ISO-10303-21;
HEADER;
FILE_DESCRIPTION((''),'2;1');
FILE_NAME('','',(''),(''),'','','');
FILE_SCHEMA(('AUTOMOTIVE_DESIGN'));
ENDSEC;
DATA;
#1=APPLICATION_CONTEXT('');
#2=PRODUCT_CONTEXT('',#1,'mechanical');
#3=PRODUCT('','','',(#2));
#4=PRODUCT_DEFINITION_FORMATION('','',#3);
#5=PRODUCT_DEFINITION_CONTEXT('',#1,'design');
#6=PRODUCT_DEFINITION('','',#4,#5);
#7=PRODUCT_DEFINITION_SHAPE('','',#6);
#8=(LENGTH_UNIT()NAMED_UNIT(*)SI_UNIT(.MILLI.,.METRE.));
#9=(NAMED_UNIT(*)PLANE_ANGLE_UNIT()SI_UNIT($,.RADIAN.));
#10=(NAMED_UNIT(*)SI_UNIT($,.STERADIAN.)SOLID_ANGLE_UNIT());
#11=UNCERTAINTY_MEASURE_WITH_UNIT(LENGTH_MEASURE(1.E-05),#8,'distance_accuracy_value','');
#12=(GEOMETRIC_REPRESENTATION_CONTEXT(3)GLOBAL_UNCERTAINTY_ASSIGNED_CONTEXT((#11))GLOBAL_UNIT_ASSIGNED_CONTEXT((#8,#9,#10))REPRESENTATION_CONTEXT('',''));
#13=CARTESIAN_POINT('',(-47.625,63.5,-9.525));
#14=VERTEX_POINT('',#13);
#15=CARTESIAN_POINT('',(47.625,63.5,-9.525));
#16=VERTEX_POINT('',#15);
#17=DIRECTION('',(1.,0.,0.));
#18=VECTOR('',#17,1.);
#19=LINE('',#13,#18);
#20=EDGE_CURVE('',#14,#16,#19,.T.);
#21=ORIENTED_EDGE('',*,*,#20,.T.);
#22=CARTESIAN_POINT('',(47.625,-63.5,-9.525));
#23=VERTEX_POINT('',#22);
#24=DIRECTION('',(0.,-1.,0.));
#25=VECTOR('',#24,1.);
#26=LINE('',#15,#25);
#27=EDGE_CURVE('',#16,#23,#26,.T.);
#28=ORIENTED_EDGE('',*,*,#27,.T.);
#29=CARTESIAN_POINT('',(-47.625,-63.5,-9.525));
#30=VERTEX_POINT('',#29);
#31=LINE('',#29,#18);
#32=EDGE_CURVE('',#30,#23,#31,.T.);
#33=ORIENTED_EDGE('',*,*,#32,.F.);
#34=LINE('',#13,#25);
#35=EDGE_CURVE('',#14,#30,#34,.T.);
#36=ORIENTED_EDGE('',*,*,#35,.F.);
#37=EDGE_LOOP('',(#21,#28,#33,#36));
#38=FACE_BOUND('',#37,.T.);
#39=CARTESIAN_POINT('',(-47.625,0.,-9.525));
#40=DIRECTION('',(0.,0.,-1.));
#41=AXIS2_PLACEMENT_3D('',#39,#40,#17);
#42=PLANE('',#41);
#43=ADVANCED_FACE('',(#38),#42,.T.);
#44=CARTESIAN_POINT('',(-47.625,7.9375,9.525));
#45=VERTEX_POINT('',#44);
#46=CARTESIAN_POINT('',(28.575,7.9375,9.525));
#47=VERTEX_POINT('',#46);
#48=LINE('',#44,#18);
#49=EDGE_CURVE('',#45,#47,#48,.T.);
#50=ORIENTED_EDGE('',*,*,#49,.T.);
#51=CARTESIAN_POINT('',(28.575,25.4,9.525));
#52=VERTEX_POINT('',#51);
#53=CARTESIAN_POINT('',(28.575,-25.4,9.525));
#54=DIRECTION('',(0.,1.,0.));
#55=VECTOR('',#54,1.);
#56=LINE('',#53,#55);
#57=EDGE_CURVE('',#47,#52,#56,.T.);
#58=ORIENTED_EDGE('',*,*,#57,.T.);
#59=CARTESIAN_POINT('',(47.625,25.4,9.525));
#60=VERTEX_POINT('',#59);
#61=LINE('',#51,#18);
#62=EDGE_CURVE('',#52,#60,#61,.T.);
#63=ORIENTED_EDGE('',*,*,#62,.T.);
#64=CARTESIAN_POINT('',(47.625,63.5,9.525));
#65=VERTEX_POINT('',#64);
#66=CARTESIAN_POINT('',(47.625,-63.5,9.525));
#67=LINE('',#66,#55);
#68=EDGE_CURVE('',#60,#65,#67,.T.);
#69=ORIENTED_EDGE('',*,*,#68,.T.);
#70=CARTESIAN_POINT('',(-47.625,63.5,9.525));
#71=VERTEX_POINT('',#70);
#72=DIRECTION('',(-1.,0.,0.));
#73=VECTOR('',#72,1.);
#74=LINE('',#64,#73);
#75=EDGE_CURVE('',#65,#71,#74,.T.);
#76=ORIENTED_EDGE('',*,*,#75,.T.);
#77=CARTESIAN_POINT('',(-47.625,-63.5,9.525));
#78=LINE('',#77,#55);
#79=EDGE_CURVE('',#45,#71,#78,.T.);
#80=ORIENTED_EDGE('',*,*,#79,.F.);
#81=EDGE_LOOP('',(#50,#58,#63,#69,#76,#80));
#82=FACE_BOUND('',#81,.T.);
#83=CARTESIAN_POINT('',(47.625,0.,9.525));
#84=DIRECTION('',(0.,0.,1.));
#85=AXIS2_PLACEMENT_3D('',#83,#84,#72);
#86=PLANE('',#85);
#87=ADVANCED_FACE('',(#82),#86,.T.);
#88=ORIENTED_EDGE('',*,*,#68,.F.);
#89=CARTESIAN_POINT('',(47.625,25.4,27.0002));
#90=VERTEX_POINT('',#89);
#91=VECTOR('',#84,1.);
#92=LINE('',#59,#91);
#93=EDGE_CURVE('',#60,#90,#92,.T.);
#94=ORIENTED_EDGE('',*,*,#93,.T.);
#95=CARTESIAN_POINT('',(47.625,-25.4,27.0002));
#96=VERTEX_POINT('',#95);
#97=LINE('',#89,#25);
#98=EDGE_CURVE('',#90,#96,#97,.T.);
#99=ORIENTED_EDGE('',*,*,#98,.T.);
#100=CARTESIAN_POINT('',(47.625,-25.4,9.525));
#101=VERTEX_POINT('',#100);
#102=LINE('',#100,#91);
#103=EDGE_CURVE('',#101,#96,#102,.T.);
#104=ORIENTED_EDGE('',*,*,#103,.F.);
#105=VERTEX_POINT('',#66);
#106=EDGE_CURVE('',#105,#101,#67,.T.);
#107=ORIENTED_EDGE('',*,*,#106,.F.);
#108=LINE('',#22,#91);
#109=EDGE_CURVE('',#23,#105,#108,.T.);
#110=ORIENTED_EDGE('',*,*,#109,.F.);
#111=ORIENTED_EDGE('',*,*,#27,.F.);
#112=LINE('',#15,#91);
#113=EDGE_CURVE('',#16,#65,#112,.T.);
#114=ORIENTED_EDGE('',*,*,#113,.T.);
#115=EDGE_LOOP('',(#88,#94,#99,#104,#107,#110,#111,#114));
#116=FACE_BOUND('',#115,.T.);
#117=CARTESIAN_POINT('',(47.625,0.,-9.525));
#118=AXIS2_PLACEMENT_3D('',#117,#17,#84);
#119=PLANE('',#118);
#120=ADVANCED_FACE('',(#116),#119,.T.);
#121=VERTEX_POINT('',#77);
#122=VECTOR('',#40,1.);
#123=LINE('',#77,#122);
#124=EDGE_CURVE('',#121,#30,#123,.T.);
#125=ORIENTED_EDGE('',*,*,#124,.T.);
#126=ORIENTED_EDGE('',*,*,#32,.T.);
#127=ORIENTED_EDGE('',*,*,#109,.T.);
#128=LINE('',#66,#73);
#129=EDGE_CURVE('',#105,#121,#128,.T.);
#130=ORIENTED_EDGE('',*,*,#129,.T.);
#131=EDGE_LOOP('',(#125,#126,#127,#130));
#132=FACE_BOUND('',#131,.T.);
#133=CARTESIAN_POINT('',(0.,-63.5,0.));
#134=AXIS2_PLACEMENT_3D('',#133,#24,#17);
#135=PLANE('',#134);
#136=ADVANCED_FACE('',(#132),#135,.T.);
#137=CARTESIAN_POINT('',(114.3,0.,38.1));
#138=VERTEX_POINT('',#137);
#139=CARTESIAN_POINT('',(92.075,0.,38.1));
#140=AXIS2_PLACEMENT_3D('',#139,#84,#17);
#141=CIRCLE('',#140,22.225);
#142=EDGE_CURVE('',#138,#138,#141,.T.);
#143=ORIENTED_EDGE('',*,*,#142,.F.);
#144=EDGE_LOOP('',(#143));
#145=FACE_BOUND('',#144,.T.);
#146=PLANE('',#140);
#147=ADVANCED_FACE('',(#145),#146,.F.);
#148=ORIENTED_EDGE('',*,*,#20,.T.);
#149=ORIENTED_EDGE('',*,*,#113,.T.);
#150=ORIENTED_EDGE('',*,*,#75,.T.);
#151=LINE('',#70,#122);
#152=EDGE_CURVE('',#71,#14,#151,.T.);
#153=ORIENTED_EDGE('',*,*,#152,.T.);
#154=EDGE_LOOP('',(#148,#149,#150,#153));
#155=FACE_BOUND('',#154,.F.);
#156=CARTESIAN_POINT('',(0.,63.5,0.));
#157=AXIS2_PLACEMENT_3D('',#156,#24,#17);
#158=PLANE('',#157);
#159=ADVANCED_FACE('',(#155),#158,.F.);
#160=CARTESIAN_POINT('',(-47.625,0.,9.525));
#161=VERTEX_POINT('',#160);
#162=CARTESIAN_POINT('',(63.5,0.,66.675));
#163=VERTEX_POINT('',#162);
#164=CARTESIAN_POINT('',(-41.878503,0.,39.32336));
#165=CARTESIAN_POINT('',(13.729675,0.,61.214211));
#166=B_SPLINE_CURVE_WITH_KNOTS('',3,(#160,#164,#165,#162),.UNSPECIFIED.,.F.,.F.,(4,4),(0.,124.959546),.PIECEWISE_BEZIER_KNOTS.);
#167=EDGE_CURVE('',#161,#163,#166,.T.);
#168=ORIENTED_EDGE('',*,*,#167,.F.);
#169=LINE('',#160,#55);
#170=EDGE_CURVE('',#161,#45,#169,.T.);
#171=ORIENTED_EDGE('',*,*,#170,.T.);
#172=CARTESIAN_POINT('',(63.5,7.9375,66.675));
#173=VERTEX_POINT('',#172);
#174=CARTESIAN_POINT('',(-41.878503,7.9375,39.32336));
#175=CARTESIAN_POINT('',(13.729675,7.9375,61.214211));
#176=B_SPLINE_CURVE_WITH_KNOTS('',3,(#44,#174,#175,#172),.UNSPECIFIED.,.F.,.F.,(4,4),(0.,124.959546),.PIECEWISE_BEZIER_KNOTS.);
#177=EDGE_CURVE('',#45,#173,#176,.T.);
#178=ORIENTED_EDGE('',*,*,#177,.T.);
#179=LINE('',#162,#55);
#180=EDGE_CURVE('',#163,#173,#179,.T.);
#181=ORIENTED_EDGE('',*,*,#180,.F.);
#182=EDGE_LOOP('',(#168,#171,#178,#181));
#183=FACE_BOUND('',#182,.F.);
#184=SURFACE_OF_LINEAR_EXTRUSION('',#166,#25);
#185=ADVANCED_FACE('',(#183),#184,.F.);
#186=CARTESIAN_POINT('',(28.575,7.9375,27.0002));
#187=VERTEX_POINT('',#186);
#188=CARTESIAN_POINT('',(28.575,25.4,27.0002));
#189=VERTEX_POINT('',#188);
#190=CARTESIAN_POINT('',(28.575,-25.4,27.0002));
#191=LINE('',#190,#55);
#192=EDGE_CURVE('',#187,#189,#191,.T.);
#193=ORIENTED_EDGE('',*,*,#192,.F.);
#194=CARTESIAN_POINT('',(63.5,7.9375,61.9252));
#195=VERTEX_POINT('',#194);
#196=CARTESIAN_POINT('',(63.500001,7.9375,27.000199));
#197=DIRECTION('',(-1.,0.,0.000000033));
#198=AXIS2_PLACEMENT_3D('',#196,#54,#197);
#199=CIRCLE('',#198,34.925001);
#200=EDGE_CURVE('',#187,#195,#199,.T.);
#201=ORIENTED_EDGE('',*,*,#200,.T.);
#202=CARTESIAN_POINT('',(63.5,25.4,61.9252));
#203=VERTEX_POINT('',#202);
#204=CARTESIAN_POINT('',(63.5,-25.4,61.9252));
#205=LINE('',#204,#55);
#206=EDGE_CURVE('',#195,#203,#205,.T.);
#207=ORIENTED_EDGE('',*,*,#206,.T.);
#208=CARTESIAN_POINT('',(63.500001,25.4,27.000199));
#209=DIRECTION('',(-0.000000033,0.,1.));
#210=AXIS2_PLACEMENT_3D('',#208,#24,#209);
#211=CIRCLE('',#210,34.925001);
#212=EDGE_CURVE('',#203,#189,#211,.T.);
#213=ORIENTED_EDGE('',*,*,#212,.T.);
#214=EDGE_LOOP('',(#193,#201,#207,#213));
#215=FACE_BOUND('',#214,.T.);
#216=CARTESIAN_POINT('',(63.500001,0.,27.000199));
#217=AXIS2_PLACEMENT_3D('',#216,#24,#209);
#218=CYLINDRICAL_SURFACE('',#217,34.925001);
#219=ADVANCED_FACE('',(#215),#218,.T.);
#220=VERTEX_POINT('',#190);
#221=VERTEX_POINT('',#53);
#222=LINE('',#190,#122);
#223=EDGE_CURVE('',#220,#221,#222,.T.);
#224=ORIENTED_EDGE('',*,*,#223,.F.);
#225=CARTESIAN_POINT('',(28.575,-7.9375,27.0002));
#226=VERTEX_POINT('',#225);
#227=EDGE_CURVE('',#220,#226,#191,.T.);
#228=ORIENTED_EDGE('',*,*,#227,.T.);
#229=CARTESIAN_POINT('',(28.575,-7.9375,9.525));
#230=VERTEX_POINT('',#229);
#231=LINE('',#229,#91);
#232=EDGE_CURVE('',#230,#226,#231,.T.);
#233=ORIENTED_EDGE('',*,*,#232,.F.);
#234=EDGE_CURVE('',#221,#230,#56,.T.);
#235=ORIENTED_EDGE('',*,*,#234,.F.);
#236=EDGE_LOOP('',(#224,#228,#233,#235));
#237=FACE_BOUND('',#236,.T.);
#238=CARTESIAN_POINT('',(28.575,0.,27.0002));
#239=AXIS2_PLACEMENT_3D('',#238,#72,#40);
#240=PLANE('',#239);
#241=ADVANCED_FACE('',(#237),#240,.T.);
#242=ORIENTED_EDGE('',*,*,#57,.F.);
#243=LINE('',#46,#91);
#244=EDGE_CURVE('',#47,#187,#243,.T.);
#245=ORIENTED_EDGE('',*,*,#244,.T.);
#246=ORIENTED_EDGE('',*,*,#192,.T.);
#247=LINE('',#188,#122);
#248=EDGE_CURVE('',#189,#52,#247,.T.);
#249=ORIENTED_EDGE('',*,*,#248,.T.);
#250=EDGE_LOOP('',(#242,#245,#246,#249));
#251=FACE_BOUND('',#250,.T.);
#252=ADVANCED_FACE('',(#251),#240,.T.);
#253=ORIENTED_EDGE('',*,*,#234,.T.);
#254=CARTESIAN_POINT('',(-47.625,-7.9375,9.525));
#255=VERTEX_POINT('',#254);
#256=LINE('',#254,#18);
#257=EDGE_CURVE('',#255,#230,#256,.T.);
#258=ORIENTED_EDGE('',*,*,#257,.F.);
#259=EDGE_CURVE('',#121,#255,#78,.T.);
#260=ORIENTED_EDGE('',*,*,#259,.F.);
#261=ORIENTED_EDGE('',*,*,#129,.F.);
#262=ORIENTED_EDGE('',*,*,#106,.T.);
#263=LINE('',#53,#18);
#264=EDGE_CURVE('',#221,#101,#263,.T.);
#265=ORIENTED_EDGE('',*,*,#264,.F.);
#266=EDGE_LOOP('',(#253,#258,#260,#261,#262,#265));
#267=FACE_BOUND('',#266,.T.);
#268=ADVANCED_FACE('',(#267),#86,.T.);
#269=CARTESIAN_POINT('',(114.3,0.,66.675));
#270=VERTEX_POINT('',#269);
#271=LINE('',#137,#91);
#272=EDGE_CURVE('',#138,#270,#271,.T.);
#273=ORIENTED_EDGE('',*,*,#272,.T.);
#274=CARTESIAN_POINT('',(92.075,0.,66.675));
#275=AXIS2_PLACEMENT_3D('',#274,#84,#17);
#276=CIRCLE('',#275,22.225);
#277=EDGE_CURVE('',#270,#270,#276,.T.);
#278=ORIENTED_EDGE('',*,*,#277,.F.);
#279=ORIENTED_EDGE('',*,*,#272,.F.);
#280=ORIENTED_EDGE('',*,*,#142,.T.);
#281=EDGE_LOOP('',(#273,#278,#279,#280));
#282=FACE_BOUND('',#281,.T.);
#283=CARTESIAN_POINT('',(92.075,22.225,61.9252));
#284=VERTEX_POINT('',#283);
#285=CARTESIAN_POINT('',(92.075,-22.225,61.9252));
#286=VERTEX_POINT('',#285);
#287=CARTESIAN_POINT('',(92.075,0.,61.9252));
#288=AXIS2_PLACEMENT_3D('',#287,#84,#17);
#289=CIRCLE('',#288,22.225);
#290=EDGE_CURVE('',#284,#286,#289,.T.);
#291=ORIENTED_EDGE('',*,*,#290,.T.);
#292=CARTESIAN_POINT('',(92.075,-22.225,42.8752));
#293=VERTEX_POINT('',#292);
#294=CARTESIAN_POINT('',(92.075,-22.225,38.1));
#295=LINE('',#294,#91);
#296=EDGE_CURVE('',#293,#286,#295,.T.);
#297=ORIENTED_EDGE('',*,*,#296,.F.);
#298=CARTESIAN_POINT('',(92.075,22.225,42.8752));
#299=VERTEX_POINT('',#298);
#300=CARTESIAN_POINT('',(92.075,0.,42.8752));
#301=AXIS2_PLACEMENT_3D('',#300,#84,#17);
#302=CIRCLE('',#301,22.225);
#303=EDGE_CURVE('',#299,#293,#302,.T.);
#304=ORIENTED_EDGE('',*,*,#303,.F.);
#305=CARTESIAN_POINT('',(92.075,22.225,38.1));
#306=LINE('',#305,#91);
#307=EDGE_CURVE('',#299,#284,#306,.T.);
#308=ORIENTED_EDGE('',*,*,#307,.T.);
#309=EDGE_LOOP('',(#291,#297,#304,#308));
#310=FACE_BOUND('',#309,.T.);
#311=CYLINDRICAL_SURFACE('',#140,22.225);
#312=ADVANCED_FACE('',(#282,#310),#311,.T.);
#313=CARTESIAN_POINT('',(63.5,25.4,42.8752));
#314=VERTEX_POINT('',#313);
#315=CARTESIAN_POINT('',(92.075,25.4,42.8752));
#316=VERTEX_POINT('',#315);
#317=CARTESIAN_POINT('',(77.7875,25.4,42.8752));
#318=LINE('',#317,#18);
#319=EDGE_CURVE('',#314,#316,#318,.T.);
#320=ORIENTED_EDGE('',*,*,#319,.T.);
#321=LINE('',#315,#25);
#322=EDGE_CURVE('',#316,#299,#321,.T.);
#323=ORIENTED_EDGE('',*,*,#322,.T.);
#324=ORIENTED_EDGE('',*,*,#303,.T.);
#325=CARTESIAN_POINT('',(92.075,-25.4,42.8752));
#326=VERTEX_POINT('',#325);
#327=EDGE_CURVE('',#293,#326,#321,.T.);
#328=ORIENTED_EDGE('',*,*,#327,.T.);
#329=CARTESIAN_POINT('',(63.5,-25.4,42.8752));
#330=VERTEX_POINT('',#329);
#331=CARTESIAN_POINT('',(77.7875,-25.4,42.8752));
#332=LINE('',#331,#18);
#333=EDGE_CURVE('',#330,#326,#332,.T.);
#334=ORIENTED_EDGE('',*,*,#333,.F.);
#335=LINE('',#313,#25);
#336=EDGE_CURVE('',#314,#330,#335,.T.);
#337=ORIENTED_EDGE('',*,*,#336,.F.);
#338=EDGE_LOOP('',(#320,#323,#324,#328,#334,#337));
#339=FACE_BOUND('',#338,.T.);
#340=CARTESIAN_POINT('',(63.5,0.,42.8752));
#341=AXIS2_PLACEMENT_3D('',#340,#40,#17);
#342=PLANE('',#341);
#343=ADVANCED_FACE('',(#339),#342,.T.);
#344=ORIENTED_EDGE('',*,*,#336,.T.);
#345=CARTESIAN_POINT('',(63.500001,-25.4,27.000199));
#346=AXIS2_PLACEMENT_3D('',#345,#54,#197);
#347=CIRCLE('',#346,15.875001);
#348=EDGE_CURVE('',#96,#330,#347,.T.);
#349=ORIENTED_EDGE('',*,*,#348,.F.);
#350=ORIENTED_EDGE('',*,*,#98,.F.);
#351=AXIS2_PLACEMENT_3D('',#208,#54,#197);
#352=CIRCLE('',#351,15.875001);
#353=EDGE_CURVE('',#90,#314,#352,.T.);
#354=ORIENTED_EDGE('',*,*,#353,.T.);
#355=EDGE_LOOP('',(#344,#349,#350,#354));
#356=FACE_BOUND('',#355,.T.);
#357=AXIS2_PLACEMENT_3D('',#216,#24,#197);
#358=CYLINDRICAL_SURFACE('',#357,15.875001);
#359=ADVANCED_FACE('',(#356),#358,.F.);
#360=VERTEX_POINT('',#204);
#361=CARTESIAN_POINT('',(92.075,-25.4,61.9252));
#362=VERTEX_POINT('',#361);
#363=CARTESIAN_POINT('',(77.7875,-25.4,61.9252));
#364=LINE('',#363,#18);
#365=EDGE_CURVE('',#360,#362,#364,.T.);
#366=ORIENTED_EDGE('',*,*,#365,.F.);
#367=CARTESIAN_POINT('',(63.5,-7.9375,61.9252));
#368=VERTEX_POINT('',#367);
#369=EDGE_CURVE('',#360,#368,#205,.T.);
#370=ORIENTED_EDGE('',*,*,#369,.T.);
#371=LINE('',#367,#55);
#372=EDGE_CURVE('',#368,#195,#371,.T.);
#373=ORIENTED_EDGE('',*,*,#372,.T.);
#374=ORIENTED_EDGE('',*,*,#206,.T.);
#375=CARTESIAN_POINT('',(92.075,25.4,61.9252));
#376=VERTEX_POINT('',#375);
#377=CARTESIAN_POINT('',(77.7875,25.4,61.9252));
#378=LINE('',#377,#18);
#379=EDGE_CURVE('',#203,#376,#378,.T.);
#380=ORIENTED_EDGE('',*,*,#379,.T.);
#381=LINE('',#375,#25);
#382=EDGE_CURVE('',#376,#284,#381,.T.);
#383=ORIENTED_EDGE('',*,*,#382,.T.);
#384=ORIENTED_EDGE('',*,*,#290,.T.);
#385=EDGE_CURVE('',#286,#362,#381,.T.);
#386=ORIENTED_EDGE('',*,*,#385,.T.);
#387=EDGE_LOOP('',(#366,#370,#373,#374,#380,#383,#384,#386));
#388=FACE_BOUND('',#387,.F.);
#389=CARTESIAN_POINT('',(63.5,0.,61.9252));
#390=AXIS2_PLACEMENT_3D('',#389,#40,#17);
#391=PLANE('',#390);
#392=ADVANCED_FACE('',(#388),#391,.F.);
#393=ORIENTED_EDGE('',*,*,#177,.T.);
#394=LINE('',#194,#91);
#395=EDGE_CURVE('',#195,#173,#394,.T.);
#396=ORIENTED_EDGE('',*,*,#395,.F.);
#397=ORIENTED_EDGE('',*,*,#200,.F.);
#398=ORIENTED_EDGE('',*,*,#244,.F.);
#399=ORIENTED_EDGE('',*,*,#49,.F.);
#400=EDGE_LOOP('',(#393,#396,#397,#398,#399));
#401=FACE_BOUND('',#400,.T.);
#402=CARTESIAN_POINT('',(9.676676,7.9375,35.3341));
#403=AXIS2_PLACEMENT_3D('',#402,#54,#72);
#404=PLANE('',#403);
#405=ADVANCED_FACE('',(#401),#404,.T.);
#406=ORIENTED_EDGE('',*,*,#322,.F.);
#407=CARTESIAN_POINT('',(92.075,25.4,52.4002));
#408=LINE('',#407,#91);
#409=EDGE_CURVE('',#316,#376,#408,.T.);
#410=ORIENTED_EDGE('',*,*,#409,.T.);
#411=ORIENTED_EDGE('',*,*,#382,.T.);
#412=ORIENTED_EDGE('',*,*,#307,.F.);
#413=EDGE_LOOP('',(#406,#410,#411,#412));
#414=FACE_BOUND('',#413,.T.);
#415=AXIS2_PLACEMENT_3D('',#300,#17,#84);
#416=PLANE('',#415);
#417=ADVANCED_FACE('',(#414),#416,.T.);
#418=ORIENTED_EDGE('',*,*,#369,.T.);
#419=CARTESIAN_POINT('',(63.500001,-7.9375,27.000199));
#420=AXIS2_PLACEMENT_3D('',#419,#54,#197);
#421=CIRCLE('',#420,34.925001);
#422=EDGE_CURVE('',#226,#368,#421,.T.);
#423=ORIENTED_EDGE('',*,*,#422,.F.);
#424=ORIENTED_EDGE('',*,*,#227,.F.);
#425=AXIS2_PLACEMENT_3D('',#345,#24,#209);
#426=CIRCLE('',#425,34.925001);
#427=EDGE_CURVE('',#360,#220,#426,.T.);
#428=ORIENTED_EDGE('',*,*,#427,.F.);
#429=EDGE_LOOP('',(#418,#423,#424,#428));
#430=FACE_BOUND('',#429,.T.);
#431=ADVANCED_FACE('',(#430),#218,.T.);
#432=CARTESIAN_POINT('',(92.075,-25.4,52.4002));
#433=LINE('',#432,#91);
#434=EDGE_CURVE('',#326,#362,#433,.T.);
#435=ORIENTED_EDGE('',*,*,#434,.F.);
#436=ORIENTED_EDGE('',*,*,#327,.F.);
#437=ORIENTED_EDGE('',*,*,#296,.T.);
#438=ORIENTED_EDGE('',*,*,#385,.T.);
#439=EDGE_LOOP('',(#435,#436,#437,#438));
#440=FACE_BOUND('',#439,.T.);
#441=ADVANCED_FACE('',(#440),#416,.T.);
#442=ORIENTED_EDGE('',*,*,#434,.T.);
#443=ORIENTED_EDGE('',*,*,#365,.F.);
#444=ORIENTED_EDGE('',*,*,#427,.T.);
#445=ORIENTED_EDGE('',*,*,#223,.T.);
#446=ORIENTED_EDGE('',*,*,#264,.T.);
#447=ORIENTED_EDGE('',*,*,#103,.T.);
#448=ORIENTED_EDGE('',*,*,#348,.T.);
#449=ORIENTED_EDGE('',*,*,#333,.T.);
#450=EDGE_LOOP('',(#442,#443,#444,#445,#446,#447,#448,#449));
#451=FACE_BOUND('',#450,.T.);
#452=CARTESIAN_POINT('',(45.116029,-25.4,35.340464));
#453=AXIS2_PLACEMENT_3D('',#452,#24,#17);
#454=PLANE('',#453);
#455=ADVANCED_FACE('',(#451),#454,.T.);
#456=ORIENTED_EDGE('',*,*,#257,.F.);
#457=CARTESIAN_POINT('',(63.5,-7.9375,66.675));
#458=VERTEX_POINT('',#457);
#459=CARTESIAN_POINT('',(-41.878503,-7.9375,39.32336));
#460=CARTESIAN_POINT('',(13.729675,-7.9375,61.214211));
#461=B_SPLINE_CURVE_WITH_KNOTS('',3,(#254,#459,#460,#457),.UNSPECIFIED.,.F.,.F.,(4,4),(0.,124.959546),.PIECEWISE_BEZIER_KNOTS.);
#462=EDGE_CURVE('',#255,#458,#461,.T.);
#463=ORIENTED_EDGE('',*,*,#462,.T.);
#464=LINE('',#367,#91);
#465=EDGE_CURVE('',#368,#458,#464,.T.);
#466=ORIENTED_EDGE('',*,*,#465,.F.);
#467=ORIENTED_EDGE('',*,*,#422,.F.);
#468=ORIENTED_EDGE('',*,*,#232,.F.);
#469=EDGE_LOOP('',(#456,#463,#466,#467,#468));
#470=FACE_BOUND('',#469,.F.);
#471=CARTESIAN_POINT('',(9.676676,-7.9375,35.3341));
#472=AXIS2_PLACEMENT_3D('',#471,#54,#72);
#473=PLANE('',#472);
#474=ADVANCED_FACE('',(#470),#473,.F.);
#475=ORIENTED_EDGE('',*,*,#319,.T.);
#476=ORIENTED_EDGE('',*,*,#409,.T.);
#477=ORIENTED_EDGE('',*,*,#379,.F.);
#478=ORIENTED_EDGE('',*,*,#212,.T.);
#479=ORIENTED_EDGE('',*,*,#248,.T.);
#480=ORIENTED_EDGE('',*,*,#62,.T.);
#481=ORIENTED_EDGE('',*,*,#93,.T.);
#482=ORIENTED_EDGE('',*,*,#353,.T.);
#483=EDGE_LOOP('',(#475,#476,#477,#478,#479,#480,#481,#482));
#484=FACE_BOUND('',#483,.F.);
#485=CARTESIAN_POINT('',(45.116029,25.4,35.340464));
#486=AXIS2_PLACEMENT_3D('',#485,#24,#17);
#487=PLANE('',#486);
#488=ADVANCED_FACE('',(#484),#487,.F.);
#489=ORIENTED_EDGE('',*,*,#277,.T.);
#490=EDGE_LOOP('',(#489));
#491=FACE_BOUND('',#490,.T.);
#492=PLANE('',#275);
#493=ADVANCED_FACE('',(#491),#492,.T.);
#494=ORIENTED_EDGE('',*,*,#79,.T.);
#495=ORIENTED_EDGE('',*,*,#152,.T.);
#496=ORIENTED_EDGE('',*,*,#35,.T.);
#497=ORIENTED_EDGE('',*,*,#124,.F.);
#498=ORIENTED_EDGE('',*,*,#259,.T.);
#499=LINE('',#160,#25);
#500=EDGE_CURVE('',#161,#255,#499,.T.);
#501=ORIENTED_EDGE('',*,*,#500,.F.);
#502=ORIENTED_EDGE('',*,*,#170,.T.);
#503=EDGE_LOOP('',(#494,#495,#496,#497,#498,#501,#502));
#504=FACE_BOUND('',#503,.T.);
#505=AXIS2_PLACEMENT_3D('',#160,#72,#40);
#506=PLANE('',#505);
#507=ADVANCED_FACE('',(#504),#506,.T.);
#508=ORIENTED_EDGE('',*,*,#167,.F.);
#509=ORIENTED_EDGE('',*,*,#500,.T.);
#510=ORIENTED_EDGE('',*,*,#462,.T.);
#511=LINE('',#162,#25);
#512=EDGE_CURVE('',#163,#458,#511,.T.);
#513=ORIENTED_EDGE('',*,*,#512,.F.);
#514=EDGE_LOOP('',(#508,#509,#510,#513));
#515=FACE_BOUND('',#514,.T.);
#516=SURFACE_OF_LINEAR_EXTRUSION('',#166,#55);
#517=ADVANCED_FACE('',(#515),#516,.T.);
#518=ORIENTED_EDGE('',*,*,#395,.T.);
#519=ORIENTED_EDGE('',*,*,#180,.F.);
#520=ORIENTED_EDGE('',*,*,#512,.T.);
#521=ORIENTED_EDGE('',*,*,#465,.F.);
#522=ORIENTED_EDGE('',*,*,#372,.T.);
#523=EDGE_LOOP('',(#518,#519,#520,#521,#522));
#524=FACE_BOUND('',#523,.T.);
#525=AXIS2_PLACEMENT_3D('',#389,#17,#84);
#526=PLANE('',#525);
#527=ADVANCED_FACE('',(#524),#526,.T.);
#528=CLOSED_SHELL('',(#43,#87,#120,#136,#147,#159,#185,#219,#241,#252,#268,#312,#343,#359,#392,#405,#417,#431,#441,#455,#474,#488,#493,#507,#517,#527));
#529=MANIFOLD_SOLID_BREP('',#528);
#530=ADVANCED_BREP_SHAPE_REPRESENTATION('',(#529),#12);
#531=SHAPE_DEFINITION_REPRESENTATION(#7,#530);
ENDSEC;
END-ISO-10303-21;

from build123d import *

# Parameters (mm, degrees)
F1_DEPTH = 63.5
F0_W     = 28.575
F0_H     = 19.05
F2_DEPTH = 25.4
F3_DEPTH = 7.9375


with BuildPart() as f1:
    # F0 (on Front) → F1 (new body, symmetric)
    with BuildSketch(Plane.XZ):
        Polygon((-47.625, 9.525), (-47.625, -9.525), (47.625, -9.525), (47.625, 9.525), (28.575, 9.525), align=None)
    extrude(amount=F1_DEPTH, both=True)

    # F0 (on Front) → F2 (join, symmetric)
    with BuildSketch(Plane.XZ):
        with BuildLine():
            Line((28.575, 9.525), (47.625, 9.525))
            Line((47.625, 9.525), (47.625, 27.0002))
            ThreePointArc((47.625, 27.0002), (52.27468, 38.22552), (63.5, 42.8752))
            Line((63.5, 42.8752), (63.5, 61.9252))
            ThreePointArc((63.5, 61.9252), (38.804296, 51.695904), (28.575, 27.0002))
            Line((28.575, 27.0002), (28.575, 9.525))
        make_face()
        with Locations((77.7875, 52.4002)):
            Rectangle(F0_W, F0_H)
    extrude(amount=F2_DEPTH, both=True)

    # F0 (on Front) → F3 (join, symmetric)
    with BuildSketch(Plane.XZ):
        with BuildLine():
            add(Edge.make_bspline(
                [(-47.625, 9.525), (-41.878503, 39.32336), (13.729675, 61.214211), (63.5, 66.675)],
                knots=[0, 0, 0, 0, 124.959546, 124.959546, 124.959546, 124.959546], degree=3))
            Line((-47.625, 9.525), (28.575, 9.525))
            Line((28.575, 9.525), (28.575, 27.0002))
            ThreePointArc((28.575, 27.0002), (38.804296, 51.695904), (63.5, 61.9252))
            Line((63.5, 61.9252), (63.5, 66.675))
        make_face()
    extrude(amount=F3_DEPTH, both=True)

    # F0 (on Front) → F4 (revolve)
    with BuildSketch(Plane.XZ):
        Polygon((114.3, 66.675), (92.075, 66.675), (92.075, 61.9252), (92.075, 42.8752), (92.075, 38.1), (114.3, 38.1), align=None)
    revolve(axis=Axis((92.075, 0, 52.3875), (0, 0, 1)))


solid = f1.part
